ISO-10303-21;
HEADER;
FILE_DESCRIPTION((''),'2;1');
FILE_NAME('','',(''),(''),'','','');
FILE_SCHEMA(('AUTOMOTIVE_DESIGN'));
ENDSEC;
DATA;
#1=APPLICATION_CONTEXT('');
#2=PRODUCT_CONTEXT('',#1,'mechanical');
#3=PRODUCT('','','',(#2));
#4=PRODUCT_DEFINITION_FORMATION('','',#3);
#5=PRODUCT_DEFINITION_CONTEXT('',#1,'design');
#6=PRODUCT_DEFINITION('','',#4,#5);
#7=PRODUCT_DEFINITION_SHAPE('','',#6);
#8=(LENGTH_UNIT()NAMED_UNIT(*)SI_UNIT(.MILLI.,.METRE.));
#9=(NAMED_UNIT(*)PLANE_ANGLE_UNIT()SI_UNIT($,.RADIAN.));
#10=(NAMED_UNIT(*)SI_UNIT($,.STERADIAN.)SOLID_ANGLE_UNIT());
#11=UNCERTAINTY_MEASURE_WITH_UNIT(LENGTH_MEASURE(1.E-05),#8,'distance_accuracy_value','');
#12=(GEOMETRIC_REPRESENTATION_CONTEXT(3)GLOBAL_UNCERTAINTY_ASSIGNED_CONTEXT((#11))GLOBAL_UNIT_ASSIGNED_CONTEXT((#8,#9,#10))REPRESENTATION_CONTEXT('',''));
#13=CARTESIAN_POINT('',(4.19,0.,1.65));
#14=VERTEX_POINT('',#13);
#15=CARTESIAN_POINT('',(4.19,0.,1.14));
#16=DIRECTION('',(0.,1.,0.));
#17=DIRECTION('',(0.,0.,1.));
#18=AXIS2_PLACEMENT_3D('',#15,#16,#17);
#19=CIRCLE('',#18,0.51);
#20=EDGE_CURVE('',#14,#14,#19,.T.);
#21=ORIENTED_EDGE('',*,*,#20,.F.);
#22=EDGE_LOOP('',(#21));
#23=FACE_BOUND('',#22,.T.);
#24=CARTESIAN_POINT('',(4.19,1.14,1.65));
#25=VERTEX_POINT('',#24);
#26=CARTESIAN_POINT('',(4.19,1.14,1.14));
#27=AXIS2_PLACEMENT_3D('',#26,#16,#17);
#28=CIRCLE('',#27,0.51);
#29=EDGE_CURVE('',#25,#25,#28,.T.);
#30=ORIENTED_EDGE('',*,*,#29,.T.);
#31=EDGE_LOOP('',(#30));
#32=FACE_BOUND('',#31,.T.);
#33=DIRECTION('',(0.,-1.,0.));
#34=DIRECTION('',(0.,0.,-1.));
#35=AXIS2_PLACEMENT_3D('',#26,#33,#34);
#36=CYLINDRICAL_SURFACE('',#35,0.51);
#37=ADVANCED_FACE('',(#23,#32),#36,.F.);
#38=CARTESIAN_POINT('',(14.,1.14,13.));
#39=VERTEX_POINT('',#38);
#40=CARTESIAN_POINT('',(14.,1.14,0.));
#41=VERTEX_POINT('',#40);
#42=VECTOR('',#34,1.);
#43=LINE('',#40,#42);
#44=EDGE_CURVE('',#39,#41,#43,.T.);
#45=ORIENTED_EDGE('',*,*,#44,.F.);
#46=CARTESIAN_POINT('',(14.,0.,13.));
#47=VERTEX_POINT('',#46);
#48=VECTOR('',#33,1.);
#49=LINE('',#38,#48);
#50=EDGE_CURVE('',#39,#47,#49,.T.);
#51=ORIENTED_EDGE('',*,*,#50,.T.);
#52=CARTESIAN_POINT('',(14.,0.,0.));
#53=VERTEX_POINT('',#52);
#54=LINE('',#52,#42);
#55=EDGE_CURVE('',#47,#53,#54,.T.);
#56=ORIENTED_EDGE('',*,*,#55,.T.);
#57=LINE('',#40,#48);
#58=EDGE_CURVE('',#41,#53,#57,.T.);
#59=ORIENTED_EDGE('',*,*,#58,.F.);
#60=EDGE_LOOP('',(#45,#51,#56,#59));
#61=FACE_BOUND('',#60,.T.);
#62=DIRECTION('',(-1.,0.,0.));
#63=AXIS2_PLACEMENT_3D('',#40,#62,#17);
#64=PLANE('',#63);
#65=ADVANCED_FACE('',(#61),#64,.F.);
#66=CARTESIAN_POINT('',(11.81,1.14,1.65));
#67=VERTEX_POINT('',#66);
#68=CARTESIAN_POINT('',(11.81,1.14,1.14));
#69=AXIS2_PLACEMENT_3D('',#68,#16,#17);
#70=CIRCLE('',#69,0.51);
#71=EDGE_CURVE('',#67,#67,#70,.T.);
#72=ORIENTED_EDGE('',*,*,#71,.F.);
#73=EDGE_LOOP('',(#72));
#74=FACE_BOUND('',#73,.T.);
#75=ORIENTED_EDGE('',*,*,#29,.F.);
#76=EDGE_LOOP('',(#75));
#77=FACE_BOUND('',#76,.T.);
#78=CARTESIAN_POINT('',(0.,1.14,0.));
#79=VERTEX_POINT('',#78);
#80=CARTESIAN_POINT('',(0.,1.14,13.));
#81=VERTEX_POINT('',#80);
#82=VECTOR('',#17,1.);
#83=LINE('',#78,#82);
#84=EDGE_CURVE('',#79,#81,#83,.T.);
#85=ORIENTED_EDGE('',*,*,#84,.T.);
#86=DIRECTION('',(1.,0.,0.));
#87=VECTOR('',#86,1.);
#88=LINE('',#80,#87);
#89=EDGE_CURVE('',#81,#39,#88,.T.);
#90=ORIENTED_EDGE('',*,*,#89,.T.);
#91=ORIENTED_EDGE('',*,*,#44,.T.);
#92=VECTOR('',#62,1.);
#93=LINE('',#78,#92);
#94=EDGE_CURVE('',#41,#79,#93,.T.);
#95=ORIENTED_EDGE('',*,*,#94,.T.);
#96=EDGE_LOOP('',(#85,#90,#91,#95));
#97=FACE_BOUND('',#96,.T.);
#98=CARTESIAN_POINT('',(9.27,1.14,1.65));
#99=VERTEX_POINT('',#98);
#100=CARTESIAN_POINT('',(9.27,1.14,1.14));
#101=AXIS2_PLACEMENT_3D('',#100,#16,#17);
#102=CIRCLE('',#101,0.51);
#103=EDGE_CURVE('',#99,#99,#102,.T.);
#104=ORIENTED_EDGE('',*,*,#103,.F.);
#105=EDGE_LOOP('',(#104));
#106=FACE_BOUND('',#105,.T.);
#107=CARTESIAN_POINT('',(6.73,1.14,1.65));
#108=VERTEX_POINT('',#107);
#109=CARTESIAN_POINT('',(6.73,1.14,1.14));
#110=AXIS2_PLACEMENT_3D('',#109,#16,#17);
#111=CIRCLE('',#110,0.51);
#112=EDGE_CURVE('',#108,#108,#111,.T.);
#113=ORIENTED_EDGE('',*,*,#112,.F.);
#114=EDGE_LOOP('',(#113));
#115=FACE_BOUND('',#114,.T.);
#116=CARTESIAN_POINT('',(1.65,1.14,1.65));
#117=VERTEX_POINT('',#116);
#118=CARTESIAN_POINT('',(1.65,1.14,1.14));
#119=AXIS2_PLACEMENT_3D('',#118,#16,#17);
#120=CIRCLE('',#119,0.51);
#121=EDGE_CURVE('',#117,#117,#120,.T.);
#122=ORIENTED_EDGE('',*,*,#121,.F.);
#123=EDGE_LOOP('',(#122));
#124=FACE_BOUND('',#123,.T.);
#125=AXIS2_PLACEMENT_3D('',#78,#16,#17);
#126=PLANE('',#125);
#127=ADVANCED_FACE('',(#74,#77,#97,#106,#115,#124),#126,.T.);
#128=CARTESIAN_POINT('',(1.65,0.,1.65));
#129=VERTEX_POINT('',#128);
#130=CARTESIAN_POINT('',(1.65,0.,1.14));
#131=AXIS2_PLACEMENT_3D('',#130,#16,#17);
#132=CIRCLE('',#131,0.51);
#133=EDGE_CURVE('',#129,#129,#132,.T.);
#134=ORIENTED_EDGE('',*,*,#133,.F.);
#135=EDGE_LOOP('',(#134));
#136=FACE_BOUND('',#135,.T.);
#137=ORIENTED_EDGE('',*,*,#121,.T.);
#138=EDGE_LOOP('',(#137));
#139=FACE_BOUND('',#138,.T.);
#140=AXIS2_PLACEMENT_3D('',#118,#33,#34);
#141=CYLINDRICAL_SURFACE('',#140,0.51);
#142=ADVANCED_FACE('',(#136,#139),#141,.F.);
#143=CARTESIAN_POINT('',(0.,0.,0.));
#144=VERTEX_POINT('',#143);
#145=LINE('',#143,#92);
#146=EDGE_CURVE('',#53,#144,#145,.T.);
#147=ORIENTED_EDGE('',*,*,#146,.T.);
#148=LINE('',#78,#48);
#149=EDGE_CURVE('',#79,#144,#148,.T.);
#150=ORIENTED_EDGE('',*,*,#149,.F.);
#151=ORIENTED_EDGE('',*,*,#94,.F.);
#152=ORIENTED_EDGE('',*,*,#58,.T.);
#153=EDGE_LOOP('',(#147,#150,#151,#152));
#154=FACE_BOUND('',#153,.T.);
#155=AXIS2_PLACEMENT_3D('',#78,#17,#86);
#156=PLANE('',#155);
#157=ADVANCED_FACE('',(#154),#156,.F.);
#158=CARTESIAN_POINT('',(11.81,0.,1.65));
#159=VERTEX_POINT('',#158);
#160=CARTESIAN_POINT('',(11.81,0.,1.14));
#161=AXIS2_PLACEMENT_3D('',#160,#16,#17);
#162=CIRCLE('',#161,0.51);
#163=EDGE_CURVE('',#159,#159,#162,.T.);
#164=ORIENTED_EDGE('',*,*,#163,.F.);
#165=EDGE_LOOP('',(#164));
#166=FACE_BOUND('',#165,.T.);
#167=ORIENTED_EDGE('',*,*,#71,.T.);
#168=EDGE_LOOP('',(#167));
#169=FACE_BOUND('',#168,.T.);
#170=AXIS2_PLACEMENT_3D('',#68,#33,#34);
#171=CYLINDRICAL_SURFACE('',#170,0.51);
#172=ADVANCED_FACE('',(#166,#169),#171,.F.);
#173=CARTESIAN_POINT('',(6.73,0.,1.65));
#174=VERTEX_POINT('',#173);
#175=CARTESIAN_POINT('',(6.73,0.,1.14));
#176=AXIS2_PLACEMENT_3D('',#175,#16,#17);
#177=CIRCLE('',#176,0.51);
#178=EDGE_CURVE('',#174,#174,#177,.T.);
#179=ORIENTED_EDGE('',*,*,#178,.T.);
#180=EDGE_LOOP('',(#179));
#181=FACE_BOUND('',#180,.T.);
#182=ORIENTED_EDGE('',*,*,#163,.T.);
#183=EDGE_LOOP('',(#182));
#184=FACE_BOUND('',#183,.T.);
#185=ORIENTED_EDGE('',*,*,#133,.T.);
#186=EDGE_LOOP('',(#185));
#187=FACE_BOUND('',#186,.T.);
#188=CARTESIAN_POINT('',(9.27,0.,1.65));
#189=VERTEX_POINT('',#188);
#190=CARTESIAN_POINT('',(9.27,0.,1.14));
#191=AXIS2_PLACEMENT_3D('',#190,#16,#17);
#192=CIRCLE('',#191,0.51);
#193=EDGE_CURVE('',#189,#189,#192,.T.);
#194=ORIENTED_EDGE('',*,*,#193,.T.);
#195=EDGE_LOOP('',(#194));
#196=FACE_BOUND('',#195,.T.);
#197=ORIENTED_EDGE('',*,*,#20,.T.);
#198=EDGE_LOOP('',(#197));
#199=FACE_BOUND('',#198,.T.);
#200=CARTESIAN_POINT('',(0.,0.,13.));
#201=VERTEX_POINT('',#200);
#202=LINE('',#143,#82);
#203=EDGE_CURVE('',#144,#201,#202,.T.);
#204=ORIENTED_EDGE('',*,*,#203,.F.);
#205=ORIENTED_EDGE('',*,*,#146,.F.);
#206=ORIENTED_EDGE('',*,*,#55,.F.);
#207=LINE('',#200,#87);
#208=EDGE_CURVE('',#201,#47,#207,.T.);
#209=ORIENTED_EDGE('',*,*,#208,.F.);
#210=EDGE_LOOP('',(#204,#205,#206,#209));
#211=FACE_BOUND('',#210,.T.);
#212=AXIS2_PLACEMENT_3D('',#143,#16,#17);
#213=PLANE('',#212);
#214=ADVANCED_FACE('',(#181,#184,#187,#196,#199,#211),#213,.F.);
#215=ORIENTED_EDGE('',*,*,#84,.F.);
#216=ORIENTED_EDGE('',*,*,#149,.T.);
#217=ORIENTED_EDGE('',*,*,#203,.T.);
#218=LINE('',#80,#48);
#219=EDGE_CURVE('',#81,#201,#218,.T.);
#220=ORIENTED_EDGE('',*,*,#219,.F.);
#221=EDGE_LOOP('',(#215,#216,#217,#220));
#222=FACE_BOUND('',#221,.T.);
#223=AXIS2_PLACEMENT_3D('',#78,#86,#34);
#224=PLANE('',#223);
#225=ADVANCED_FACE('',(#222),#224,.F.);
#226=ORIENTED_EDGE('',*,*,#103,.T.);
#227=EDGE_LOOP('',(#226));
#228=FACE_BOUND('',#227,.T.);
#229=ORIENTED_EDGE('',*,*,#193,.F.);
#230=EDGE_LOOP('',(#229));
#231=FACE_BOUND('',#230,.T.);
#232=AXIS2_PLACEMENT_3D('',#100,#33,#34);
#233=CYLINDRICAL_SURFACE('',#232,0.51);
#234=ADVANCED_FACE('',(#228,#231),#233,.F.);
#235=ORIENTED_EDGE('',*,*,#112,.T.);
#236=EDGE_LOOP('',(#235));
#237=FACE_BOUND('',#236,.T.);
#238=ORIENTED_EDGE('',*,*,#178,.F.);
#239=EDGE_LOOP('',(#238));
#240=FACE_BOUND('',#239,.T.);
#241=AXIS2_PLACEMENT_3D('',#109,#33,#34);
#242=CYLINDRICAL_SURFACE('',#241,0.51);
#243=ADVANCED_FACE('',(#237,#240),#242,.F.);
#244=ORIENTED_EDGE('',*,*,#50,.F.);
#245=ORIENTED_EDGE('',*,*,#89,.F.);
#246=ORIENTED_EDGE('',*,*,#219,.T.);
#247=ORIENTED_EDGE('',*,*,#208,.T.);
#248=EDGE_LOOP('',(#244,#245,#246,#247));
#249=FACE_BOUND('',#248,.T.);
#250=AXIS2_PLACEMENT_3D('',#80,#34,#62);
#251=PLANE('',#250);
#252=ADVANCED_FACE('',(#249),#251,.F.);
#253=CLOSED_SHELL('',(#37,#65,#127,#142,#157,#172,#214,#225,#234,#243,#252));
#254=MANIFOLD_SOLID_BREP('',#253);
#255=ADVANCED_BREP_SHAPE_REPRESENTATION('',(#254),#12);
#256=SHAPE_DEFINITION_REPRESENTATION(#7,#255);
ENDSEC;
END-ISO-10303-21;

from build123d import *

# Parameters (mm, degrees)
SKETCH1_W           = 14
SKETCH1_H           = 13
SKETCH1_R           = 0.51
BOSS_EXTRUDE1_DEPTH = 1.14


with BuildPart() as part:
    # Sketch1 → Boss-Extrude1 (new body)
    with BuildSketch(Plane(origin=(0, 0, 0), x_dir=(1, 0, 0), z_dir=(0, 1, 0))):
        with Locations((7, -6.5)):
            Rectangle(SKETCH1_W, SKETCH1_H)
        with Locations(Location((1.65, -1.14, 0), (0, 0, 270))):
            Circle(SKETCH1_R, mode=Mode.SUBTRACT)
        with Locations(Location((4.19, -1.14, 0), (0, 0, 270))):
            Circle(SKETCH1_R, mode=Mode.SUBTRACT)
        with Locations(Location((6.73, -1.14, 0), (0, 0, 270))):
            Circle(SKETCH1_R, mode=Mode.SUBTRACT)
        with Locations(Location((9.27, -1.14, 0), (0, 0, 270))):
            Circle(SKETCH1_R, mode=Mode.SUBTRACT)
        with Locations(Location((11.81, -1.14, 0), (0, 0, 270))):
            Circle(SKETCH1_R, mode=Mode.SUBTRACT)
    extrude(amount=BOSS_EXTRUDE1_DEPTH)


solid = part.part
